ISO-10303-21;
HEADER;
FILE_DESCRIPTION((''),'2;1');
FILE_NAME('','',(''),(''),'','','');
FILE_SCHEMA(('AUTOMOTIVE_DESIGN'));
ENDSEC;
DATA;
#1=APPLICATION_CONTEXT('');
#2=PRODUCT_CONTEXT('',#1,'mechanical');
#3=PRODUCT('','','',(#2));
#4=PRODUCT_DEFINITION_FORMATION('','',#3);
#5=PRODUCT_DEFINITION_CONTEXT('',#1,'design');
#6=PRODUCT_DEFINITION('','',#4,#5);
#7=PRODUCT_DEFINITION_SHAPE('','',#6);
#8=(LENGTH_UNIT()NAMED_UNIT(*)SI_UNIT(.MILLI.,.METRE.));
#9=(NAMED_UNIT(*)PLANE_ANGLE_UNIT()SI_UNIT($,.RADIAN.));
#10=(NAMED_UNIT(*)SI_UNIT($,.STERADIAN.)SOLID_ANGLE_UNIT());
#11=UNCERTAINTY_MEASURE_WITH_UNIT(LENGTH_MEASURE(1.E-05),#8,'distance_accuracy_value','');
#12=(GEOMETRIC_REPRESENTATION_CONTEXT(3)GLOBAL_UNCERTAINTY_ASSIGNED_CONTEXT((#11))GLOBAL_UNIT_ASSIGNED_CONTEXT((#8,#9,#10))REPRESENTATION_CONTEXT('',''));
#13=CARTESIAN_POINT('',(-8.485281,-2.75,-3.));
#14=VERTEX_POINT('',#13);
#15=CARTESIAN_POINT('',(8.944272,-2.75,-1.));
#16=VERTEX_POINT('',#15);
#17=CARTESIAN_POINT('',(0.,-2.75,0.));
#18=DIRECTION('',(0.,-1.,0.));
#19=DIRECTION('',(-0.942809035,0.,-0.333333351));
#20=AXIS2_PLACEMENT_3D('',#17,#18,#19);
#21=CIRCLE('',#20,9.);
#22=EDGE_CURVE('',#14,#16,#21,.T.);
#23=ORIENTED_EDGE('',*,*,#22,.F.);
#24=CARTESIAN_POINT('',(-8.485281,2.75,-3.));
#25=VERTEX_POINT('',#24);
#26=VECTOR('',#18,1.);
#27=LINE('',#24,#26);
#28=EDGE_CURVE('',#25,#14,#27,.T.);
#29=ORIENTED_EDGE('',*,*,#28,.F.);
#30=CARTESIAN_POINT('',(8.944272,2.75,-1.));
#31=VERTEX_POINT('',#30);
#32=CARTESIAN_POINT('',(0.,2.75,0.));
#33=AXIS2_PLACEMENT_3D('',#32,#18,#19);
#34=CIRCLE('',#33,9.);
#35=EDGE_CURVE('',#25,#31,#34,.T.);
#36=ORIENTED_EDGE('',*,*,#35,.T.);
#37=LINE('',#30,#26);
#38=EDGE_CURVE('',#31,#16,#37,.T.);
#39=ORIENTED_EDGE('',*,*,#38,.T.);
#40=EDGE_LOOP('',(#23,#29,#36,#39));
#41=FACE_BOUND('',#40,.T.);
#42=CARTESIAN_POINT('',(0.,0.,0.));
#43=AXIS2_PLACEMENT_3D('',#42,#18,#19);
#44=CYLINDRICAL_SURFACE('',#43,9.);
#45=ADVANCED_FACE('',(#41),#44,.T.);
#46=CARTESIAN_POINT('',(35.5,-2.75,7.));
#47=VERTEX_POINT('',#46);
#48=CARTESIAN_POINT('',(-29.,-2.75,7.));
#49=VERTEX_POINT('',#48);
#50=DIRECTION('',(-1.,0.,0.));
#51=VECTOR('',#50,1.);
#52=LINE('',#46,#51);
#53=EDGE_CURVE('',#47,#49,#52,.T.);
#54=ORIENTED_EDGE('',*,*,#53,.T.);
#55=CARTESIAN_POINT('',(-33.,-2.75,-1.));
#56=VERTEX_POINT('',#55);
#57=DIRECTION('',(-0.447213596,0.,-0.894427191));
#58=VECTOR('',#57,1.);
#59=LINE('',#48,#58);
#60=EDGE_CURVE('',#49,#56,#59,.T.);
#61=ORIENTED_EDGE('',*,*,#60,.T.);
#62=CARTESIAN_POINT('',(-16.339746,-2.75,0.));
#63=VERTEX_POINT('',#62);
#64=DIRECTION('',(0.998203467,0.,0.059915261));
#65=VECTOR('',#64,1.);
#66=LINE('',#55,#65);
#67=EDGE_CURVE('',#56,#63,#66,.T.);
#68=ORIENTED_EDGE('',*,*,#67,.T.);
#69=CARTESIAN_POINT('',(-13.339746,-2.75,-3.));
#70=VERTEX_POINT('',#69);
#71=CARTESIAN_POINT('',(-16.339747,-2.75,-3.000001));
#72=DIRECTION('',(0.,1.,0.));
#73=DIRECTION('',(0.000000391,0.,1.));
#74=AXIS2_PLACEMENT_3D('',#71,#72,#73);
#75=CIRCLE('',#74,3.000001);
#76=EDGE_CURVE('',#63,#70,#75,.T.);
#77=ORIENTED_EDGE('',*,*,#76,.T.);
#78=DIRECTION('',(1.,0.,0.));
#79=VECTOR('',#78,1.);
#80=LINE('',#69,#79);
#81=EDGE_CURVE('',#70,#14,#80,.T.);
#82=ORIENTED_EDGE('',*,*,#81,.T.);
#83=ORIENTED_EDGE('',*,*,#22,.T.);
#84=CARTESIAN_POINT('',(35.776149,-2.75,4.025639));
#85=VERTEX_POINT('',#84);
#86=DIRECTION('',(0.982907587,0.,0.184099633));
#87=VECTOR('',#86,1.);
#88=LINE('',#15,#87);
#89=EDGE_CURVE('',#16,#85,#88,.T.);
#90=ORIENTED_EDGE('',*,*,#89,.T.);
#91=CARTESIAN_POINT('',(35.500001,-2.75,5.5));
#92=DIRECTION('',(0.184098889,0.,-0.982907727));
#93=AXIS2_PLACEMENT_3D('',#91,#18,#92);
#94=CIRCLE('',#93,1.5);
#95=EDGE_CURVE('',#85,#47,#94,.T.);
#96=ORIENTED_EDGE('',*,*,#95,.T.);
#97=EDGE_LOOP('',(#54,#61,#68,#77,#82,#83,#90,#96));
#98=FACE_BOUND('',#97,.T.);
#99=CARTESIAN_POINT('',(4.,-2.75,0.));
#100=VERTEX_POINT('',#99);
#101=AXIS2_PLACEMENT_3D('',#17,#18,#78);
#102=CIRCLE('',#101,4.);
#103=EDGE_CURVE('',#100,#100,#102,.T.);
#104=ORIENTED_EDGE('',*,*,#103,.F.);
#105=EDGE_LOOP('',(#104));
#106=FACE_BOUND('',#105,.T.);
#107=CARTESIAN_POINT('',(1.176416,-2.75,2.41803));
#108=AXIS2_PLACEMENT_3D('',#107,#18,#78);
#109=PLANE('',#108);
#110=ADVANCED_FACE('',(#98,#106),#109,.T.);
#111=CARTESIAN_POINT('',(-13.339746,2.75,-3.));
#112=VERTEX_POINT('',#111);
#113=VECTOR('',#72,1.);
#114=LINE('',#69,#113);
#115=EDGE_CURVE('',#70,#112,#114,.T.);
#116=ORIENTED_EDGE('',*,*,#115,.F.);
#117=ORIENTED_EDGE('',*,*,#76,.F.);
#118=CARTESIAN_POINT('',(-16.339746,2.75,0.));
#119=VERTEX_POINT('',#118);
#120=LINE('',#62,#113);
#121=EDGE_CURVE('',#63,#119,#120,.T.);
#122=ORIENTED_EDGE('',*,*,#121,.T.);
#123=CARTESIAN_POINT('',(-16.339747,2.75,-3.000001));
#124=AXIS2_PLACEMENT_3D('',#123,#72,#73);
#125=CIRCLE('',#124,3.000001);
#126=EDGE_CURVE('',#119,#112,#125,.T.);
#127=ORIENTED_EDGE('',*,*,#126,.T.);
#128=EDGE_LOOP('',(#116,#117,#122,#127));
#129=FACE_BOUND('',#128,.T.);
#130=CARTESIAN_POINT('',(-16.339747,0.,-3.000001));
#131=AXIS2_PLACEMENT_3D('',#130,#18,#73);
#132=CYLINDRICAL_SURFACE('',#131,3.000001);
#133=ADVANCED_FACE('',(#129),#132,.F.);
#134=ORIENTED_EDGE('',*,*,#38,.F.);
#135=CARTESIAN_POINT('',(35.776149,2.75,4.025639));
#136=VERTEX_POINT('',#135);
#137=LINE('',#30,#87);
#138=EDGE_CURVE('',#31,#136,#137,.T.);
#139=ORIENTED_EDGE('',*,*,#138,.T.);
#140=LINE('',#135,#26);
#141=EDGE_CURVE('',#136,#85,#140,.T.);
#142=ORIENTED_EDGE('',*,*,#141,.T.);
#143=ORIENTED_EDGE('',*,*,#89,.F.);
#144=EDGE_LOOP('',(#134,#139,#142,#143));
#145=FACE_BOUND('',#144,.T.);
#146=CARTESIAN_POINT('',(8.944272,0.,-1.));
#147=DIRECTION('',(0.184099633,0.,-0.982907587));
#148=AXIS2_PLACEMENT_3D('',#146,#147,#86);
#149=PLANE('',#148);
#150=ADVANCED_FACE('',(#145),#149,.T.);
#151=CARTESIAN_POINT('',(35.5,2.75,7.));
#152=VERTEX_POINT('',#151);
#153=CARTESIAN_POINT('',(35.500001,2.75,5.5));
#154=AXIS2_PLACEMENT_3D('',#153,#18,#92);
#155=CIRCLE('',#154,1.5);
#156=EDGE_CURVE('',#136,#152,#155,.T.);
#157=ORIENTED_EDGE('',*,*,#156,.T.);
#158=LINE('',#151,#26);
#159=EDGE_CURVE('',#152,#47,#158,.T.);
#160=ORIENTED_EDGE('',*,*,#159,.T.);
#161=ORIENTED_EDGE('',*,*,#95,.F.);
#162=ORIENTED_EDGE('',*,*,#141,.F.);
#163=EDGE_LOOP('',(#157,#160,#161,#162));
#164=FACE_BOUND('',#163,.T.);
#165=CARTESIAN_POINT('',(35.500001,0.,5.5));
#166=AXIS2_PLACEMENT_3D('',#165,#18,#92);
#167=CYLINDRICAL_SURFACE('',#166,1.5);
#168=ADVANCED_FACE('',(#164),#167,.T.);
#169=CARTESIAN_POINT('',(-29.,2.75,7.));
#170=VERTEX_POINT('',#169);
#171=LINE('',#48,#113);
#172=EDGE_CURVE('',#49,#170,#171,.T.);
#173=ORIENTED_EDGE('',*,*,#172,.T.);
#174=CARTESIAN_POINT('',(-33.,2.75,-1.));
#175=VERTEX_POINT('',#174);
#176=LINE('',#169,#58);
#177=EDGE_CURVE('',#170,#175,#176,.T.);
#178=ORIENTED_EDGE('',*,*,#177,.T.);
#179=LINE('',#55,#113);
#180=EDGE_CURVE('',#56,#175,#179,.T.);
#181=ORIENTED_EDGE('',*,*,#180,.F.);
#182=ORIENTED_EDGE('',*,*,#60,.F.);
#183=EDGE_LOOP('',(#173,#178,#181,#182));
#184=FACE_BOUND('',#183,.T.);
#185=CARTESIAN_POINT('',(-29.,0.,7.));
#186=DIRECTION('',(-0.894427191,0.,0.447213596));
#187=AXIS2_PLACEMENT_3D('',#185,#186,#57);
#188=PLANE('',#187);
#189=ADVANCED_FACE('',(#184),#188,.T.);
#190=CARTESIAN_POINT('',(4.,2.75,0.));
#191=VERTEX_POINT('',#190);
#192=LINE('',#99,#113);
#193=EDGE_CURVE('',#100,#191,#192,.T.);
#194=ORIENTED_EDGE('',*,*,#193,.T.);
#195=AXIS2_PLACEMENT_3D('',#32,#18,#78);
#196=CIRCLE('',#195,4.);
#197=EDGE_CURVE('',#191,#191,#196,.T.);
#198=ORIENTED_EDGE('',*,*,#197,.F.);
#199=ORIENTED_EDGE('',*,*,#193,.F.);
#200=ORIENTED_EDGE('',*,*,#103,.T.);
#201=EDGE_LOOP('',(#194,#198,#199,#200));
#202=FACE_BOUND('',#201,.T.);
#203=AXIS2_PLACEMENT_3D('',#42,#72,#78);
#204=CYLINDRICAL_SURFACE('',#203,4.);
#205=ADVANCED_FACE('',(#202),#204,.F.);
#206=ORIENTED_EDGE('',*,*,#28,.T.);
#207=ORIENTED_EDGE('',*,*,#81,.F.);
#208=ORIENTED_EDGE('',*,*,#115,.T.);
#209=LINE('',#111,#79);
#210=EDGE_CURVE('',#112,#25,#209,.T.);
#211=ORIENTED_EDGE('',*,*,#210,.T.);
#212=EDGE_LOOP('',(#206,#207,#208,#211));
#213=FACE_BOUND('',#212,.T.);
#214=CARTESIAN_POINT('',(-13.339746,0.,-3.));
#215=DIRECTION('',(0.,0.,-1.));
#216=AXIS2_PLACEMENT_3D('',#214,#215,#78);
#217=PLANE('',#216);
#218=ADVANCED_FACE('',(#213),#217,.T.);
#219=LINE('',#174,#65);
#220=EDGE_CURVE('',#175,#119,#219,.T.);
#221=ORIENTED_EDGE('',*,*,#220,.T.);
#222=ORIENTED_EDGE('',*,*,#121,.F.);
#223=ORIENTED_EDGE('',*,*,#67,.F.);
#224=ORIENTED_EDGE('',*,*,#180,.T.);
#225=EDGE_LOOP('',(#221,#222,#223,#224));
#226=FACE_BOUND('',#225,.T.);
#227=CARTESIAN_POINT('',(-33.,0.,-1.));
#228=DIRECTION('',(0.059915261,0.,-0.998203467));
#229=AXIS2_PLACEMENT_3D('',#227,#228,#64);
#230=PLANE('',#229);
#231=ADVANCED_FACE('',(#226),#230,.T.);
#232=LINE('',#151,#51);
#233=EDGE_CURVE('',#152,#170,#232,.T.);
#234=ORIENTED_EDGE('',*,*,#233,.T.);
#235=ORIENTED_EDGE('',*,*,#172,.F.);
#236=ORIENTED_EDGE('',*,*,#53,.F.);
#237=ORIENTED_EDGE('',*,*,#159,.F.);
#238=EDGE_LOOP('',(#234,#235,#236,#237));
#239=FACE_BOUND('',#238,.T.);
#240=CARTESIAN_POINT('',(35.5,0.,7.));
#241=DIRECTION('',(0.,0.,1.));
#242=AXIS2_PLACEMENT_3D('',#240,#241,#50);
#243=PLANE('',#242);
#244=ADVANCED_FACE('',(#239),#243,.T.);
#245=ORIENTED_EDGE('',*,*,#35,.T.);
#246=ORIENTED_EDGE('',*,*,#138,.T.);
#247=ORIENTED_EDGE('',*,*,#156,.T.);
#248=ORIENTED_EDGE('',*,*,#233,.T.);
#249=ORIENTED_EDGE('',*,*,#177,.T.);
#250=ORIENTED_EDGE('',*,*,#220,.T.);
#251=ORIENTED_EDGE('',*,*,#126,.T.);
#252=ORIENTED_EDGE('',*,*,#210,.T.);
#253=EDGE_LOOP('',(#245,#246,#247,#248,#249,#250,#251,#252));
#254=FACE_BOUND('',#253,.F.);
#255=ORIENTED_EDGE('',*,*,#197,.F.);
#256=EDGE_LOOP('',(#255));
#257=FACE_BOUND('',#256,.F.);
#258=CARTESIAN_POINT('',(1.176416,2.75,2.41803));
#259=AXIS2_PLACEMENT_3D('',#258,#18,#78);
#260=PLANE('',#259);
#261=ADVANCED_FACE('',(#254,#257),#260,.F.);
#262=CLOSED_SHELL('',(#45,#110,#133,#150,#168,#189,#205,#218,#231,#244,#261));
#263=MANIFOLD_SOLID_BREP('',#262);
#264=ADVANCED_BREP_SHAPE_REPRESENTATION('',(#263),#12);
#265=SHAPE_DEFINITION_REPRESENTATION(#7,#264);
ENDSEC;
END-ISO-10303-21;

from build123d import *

# Parameters (mm, degrees)
F0_R     = 4
F1_DEPTH = 2.75


with BuildPart() as f1:
    # F0 (on Front) → F1 (new body, symmetric)
    with BuildSketch(Plane.XZ):
        with BuildLine():
            Line((-13.339746, -3), (-8.485281, -3))
            ThreePointArc((-8.485281, -3), (1.025996, -8.941327), (8.944272, -1))
            Line((8.944272, -1), (35.776149, 4.025639))
            ThreePointArc((35.776149, 4.025639), (36.993577, 5.638669), (35.5, 7))
            Line((35.5, 7), (-29, 7))
            Line((-29, 7), (-33, -1))
            Line((-33, -1), (-16.339746, 0))
            ThreePointArc((-16.339746, 0), (-14.218426, -0.87868), (-13.339746, -3))
        make_face()
        Circle(F0_R, mode=Mode.SUBTRACT)
    extrude(amount=F1_DEPTH, both=True)


solid = f1.part
